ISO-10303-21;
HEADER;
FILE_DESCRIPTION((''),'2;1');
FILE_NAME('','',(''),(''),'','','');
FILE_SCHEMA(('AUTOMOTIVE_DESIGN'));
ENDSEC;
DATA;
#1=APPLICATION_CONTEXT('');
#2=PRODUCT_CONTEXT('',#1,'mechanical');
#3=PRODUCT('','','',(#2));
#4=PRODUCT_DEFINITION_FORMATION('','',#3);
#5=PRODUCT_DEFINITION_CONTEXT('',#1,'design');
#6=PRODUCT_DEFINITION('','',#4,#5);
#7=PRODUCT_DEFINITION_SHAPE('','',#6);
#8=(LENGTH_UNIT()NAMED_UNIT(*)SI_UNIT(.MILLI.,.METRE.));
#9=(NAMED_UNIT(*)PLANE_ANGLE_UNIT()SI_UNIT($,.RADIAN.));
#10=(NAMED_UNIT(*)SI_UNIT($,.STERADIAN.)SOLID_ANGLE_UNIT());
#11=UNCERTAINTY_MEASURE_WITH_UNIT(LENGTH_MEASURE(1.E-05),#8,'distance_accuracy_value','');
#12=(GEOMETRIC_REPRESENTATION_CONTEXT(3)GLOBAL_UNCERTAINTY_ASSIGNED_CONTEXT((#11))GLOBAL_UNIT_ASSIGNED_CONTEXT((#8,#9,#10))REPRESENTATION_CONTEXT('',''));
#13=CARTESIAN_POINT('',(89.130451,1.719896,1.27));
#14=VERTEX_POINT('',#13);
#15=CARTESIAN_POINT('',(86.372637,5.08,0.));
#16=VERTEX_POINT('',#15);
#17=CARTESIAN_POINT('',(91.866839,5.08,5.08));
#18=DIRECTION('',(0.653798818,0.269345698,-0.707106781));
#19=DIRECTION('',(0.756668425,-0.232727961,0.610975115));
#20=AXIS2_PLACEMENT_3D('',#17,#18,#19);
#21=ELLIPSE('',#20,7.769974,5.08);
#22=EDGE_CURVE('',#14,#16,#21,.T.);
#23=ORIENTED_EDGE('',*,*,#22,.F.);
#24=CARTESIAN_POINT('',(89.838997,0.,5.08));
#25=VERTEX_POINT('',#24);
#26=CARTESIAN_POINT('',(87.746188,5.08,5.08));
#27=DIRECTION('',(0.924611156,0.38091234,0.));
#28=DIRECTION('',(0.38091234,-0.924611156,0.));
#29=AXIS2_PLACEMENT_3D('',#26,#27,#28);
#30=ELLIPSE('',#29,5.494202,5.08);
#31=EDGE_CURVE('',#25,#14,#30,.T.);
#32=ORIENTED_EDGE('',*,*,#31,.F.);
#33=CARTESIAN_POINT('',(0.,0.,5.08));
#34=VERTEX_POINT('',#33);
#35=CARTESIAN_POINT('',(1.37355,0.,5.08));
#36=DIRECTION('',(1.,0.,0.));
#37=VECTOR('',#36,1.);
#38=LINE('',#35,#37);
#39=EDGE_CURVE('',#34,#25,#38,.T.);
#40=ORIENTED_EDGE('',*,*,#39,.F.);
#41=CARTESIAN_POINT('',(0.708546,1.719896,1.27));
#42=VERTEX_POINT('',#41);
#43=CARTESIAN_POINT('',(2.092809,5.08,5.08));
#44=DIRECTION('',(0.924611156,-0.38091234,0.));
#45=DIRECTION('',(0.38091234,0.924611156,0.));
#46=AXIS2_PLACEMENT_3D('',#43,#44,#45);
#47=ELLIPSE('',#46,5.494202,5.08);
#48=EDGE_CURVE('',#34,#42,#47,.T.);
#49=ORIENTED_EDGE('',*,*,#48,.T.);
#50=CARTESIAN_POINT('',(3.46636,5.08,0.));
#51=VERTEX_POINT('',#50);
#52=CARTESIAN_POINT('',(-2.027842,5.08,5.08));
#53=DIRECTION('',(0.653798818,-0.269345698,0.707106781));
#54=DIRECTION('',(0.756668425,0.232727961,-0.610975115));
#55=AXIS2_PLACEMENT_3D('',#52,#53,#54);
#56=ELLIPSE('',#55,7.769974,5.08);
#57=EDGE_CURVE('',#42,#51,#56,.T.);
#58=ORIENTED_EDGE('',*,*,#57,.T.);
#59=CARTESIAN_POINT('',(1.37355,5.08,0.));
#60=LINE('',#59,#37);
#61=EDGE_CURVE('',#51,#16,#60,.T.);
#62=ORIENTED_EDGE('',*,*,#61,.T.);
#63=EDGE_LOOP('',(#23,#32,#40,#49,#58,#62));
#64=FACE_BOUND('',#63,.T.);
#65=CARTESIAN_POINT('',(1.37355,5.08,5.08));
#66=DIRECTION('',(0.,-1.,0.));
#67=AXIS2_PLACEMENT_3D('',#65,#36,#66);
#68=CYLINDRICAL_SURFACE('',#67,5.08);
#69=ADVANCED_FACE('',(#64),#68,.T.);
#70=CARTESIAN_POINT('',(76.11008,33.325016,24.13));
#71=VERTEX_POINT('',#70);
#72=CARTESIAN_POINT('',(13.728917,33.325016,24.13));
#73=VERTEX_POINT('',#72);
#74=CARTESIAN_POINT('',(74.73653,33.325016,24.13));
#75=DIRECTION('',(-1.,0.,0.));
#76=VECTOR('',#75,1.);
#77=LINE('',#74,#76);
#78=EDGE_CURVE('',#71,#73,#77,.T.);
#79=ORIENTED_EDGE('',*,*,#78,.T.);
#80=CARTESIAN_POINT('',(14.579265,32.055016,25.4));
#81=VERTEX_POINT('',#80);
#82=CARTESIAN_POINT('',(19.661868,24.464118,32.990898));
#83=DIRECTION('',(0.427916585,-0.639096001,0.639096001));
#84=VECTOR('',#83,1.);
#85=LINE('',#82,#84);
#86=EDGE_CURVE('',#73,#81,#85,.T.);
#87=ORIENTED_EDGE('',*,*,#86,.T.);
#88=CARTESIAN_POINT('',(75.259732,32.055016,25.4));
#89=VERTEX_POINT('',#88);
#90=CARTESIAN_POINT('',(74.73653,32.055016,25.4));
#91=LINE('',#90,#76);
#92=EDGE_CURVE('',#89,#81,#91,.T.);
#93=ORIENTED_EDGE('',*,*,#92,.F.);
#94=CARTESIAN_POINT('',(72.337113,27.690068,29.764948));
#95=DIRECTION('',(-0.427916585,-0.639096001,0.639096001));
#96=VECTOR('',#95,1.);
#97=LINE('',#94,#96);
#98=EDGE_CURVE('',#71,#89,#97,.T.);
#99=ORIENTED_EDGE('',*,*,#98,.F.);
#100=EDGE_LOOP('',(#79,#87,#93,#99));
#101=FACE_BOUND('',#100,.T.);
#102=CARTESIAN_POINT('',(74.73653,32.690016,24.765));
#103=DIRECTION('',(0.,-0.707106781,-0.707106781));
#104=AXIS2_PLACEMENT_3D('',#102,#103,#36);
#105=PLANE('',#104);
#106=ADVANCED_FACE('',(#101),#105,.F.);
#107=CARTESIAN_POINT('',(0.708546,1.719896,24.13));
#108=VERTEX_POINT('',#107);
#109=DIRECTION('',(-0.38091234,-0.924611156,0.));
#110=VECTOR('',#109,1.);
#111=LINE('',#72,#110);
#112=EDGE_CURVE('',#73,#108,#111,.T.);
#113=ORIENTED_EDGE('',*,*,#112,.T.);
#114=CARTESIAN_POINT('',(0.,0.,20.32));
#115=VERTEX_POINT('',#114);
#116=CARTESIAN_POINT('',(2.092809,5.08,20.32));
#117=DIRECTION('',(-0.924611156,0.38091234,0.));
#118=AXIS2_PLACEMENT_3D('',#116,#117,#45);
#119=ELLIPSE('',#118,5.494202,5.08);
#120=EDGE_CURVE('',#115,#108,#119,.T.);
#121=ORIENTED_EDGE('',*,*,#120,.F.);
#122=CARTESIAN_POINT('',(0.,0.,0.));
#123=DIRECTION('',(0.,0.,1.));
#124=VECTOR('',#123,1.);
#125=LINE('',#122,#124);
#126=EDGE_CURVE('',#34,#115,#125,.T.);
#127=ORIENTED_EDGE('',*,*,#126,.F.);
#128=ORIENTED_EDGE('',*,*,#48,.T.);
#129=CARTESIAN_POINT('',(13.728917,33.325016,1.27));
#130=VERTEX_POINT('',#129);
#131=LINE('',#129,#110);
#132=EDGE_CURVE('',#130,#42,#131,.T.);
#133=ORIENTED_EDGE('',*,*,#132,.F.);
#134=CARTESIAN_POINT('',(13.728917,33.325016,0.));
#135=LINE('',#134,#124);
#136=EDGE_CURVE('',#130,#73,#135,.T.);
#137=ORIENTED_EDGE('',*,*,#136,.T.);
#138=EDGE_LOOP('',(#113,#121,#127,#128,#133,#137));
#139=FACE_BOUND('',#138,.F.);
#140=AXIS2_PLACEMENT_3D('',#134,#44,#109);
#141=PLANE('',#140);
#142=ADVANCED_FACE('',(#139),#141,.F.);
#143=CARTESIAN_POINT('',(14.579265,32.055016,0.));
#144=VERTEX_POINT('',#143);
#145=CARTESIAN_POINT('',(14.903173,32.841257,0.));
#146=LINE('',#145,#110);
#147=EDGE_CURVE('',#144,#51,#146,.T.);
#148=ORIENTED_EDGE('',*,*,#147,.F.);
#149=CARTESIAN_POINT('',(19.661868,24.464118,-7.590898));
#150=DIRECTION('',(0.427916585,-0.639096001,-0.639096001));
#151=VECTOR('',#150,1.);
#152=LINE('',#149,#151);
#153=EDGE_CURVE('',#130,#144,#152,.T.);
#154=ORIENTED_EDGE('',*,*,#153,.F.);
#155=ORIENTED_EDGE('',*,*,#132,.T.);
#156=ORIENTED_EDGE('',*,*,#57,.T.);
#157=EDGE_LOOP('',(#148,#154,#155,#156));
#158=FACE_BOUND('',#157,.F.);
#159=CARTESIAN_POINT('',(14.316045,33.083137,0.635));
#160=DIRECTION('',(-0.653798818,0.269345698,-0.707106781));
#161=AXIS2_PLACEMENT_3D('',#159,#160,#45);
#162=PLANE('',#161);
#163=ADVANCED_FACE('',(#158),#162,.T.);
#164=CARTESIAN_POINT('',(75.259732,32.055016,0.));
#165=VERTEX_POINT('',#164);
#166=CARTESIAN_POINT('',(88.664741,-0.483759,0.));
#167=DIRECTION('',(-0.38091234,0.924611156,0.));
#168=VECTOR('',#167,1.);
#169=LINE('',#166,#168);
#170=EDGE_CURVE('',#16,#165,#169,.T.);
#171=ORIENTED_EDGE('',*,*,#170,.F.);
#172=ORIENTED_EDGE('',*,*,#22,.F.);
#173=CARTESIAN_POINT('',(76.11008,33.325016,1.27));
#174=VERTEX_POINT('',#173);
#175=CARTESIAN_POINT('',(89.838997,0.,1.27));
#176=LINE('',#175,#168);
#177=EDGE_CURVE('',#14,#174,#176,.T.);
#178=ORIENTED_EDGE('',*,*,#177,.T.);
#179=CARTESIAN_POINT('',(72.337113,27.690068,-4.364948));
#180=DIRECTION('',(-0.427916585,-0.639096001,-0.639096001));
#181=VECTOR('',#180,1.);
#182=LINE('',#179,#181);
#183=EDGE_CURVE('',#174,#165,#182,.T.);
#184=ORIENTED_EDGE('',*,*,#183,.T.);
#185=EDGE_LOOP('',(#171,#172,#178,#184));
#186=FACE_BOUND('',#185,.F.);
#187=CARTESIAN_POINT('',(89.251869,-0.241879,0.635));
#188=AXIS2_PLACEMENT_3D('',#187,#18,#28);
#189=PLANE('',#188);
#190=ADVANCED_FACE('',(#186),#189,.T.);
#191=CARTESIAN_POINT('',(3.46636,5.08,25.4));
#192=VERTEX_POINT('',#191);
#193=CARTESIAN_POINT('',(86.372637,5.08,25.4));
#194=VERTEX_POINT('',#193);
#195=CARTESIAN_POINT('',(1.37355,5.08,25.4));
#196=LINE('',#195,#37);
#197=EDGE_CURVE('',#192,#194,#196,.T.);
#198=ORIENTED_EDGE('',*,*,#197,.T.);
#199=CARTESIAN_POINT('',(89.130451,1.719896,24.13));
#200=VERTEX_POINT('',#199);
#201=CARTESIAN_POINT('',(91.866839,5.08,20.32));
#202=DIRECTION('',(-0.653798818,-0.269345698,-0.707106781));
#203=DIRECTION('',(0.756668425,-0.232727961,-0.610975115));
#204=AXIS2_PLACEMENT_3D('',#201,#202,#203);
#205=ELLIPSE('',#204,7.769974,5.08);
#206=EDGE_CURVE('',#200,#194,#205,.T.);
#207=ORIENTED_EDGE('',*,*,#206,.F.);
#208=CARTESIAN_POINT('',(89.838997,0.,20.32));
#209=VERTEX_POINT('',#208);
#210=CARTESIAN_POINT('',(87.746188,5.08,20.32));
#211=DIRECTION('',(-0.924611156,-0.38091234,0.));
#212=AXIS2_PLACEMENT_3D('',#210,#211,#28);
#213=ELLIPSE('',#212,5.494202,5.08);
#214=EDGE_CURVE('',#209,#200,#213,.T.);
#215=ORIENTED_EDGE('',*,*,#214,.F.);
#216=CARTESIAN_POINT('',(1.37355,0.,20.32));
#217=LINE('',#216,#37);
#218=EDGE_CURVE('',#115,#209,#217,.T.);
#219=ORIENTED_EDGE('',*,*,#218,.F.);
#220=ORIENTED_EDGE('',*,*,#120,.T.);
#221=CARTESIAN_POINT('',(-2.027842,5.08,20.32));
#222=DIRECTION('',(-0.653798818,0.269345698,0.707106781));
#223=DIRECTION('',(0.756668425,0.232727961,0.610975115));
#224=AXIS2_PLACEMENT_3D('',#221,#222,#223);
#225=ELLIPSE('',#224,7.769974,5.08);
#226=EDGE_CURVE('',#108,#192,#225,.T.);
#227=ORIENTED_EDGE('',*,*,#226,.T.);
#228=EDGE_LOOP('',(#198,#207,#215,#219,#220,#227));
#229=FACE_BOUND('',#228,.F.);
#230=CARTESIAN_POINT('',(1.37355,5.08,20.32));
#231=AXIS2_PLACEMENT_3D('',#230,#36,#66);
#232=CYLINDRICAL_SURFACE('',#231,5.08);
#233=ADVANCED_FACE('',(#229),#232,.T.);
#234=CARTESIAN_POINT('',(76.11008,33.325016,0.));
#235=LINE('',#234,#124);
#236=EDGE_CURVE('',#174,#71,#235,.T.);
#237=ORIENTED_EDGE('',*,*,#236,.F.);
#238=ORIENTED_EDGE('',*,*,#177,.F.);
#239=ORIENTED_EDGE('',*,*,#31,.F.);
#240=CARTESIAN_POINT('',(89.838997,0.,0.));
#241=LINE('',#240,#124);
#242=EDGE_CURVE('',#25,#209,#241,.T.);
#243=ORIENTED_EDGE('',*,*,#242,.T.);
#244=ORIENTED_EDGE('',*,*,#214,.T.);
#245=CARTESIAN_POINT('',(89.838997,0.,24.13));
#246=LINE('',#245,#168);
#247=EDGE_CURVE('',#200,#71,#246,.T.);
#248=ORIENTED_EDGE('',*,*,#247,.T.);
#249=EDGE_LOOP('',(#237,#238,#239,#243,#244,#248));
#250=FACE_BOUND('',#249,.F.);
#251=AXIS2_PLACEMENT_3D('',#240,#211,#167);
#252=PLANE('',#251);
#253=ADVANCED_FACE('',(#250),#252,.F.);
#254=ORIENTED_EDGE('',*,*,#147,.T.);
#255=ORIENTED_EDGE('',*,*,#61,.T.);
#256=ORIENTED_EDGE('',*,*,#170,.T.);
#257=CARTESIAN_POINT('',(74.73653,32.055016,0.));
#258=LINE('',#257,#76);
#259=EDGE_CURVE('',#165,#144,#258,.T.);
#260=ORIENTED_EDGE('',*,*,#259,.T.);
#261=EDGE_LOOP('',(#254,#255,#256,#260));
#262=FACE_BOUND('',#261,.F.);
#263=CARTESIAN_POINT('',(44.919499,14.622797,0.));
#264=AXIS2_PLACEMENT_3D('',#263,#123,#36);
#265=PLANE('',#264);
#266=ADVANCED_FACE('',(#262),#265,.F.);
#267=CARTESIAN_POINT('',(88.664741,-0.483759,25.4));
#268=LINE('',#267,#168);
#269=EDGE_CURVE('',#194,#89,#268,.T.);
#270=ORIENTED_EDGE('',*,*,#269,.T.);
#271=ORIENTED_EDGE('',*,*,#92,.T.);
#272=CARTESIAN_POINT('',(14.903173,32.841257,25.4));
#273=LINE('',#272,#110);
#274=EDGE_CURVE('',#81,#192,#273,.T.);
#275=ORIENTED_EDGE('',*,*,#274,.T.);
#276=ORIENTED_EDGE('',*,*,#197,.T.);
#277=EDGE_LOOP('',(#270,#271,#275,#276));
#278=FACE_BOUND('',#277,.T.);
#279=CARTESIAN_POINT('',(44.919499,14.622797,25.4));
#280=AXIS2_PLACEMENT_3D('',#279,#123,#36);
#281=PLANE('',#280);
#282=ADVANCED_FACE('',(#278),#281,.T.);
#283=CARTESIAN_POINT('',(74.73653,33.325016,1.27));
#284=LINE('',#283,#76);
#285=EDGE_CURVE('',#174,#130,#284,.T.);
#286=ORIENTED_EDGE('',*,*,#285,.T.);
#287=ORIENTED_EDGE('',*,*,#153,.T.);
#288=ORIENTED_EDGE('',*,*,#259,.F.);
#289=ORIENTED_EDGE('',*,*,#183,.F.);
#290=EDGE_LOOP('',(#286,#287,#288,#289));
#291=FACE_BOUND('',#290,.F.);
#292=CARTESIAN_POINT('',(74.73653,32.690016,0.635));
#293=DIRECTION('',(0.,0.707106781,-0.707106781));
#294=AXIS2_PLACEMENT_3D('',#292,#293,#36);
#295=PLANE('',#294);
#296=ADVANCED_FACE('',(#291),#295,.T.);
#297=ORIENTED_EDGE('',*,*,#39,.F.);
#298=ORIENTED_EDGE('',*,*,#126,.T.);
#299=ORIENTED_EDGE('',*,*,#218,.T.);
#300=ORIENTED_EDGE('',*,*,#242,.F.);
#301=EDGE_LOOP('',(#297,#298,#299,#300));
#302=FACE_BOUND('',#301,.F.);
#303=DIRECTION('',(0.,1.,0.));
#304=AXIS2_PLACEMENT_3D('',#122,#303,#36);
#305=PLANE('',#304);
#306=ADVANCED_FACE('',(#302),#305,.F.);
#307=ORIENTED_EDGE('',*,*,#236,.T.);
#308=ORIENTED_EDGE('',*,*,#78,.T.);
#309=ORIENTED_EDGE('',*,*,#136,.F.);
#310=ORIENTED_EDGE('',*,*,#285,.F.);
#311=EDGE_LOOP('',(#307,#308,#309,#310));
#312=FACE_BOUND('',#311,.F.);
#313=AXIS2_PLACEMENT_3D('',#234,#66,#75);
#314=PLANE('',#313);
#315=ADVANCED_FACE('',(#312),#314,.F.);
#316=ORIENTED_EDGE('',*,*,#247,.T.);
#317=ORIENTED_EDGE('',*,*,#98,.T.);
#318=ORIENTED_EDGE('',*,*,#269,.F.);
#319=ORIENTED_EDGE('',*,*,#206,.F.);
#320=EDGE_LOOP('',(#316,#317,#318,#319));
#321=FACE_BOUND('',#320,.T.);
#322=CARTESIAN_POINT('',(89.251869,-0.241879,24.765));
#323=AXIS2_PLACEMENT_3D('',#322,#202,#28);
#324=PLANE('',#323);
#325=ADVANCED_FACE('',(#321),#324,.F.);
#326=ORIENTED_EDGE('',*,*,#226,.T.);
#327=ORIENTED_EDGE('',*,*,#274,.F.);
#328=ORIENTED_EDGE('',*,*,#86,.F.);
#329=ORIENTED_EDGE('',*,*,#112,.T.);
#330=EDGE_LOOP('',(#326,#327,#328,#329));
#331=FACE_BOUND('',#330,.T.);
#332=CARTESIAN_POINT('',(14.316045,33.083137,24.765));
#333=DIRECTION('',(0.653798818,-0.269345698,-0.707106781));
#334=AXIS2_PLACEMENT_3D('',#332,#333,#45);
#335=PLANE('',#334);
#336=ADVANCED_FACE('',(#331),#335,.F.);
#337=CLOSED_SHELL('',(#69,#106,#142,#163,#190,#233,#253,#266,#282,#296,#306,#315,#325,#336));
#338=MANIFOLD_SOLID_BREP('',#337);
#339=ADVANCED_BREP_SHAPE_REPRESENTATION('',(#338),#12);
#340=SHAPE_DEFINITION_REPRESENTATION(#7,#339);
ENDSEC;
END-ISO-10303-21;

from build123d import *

# Parameters (mm, degrees)
F1_DEPTH = 25.4
F2_SIZE  = 1.27
F3_R     = 5.08
F4_SIZE  = 1.27


with BuildPart() as f1:
    # F0 (on Top) → F1 (new body)
    with BuildSketch(Plane.XY):
        Polygon((13.728917, 33.325016), (0, 0), (89.838997, 0), (76.11008, 33.325016), align=None)
    extrude(amount=F1_DEPTH)

    # F2
    f2_edges = [f1.edges().sort_by_distance(p)[0] for p in [
        (6.864458, 16.662508, 25.4),
        (6.864458, 16.662508, 0),
        (82.974538, 16.662508, 25.4),
        (82.974538, 16.662508, 0),
    ]]
    chamfer(f2_edges, length=F2_SIZE)

    # F3
    f3_edges = [f1.edges().sort_by_distance(p)[0] for p in [
        (44.919498, 0, 0),
        (44.919498, 0, 25.4),
    ]]
    fillet(f3_edges, radius=F3_R)

    # F4
    f4_edges = [f1.edges().sort_by_distance(p)[0] for p in [
        (44.919498, 33.325016, 25.4),
        (44.919498, 33.325016, 0),
    ]]
    chamfer(f4_edges, length=F4_SIZE)


solid = f1.part
